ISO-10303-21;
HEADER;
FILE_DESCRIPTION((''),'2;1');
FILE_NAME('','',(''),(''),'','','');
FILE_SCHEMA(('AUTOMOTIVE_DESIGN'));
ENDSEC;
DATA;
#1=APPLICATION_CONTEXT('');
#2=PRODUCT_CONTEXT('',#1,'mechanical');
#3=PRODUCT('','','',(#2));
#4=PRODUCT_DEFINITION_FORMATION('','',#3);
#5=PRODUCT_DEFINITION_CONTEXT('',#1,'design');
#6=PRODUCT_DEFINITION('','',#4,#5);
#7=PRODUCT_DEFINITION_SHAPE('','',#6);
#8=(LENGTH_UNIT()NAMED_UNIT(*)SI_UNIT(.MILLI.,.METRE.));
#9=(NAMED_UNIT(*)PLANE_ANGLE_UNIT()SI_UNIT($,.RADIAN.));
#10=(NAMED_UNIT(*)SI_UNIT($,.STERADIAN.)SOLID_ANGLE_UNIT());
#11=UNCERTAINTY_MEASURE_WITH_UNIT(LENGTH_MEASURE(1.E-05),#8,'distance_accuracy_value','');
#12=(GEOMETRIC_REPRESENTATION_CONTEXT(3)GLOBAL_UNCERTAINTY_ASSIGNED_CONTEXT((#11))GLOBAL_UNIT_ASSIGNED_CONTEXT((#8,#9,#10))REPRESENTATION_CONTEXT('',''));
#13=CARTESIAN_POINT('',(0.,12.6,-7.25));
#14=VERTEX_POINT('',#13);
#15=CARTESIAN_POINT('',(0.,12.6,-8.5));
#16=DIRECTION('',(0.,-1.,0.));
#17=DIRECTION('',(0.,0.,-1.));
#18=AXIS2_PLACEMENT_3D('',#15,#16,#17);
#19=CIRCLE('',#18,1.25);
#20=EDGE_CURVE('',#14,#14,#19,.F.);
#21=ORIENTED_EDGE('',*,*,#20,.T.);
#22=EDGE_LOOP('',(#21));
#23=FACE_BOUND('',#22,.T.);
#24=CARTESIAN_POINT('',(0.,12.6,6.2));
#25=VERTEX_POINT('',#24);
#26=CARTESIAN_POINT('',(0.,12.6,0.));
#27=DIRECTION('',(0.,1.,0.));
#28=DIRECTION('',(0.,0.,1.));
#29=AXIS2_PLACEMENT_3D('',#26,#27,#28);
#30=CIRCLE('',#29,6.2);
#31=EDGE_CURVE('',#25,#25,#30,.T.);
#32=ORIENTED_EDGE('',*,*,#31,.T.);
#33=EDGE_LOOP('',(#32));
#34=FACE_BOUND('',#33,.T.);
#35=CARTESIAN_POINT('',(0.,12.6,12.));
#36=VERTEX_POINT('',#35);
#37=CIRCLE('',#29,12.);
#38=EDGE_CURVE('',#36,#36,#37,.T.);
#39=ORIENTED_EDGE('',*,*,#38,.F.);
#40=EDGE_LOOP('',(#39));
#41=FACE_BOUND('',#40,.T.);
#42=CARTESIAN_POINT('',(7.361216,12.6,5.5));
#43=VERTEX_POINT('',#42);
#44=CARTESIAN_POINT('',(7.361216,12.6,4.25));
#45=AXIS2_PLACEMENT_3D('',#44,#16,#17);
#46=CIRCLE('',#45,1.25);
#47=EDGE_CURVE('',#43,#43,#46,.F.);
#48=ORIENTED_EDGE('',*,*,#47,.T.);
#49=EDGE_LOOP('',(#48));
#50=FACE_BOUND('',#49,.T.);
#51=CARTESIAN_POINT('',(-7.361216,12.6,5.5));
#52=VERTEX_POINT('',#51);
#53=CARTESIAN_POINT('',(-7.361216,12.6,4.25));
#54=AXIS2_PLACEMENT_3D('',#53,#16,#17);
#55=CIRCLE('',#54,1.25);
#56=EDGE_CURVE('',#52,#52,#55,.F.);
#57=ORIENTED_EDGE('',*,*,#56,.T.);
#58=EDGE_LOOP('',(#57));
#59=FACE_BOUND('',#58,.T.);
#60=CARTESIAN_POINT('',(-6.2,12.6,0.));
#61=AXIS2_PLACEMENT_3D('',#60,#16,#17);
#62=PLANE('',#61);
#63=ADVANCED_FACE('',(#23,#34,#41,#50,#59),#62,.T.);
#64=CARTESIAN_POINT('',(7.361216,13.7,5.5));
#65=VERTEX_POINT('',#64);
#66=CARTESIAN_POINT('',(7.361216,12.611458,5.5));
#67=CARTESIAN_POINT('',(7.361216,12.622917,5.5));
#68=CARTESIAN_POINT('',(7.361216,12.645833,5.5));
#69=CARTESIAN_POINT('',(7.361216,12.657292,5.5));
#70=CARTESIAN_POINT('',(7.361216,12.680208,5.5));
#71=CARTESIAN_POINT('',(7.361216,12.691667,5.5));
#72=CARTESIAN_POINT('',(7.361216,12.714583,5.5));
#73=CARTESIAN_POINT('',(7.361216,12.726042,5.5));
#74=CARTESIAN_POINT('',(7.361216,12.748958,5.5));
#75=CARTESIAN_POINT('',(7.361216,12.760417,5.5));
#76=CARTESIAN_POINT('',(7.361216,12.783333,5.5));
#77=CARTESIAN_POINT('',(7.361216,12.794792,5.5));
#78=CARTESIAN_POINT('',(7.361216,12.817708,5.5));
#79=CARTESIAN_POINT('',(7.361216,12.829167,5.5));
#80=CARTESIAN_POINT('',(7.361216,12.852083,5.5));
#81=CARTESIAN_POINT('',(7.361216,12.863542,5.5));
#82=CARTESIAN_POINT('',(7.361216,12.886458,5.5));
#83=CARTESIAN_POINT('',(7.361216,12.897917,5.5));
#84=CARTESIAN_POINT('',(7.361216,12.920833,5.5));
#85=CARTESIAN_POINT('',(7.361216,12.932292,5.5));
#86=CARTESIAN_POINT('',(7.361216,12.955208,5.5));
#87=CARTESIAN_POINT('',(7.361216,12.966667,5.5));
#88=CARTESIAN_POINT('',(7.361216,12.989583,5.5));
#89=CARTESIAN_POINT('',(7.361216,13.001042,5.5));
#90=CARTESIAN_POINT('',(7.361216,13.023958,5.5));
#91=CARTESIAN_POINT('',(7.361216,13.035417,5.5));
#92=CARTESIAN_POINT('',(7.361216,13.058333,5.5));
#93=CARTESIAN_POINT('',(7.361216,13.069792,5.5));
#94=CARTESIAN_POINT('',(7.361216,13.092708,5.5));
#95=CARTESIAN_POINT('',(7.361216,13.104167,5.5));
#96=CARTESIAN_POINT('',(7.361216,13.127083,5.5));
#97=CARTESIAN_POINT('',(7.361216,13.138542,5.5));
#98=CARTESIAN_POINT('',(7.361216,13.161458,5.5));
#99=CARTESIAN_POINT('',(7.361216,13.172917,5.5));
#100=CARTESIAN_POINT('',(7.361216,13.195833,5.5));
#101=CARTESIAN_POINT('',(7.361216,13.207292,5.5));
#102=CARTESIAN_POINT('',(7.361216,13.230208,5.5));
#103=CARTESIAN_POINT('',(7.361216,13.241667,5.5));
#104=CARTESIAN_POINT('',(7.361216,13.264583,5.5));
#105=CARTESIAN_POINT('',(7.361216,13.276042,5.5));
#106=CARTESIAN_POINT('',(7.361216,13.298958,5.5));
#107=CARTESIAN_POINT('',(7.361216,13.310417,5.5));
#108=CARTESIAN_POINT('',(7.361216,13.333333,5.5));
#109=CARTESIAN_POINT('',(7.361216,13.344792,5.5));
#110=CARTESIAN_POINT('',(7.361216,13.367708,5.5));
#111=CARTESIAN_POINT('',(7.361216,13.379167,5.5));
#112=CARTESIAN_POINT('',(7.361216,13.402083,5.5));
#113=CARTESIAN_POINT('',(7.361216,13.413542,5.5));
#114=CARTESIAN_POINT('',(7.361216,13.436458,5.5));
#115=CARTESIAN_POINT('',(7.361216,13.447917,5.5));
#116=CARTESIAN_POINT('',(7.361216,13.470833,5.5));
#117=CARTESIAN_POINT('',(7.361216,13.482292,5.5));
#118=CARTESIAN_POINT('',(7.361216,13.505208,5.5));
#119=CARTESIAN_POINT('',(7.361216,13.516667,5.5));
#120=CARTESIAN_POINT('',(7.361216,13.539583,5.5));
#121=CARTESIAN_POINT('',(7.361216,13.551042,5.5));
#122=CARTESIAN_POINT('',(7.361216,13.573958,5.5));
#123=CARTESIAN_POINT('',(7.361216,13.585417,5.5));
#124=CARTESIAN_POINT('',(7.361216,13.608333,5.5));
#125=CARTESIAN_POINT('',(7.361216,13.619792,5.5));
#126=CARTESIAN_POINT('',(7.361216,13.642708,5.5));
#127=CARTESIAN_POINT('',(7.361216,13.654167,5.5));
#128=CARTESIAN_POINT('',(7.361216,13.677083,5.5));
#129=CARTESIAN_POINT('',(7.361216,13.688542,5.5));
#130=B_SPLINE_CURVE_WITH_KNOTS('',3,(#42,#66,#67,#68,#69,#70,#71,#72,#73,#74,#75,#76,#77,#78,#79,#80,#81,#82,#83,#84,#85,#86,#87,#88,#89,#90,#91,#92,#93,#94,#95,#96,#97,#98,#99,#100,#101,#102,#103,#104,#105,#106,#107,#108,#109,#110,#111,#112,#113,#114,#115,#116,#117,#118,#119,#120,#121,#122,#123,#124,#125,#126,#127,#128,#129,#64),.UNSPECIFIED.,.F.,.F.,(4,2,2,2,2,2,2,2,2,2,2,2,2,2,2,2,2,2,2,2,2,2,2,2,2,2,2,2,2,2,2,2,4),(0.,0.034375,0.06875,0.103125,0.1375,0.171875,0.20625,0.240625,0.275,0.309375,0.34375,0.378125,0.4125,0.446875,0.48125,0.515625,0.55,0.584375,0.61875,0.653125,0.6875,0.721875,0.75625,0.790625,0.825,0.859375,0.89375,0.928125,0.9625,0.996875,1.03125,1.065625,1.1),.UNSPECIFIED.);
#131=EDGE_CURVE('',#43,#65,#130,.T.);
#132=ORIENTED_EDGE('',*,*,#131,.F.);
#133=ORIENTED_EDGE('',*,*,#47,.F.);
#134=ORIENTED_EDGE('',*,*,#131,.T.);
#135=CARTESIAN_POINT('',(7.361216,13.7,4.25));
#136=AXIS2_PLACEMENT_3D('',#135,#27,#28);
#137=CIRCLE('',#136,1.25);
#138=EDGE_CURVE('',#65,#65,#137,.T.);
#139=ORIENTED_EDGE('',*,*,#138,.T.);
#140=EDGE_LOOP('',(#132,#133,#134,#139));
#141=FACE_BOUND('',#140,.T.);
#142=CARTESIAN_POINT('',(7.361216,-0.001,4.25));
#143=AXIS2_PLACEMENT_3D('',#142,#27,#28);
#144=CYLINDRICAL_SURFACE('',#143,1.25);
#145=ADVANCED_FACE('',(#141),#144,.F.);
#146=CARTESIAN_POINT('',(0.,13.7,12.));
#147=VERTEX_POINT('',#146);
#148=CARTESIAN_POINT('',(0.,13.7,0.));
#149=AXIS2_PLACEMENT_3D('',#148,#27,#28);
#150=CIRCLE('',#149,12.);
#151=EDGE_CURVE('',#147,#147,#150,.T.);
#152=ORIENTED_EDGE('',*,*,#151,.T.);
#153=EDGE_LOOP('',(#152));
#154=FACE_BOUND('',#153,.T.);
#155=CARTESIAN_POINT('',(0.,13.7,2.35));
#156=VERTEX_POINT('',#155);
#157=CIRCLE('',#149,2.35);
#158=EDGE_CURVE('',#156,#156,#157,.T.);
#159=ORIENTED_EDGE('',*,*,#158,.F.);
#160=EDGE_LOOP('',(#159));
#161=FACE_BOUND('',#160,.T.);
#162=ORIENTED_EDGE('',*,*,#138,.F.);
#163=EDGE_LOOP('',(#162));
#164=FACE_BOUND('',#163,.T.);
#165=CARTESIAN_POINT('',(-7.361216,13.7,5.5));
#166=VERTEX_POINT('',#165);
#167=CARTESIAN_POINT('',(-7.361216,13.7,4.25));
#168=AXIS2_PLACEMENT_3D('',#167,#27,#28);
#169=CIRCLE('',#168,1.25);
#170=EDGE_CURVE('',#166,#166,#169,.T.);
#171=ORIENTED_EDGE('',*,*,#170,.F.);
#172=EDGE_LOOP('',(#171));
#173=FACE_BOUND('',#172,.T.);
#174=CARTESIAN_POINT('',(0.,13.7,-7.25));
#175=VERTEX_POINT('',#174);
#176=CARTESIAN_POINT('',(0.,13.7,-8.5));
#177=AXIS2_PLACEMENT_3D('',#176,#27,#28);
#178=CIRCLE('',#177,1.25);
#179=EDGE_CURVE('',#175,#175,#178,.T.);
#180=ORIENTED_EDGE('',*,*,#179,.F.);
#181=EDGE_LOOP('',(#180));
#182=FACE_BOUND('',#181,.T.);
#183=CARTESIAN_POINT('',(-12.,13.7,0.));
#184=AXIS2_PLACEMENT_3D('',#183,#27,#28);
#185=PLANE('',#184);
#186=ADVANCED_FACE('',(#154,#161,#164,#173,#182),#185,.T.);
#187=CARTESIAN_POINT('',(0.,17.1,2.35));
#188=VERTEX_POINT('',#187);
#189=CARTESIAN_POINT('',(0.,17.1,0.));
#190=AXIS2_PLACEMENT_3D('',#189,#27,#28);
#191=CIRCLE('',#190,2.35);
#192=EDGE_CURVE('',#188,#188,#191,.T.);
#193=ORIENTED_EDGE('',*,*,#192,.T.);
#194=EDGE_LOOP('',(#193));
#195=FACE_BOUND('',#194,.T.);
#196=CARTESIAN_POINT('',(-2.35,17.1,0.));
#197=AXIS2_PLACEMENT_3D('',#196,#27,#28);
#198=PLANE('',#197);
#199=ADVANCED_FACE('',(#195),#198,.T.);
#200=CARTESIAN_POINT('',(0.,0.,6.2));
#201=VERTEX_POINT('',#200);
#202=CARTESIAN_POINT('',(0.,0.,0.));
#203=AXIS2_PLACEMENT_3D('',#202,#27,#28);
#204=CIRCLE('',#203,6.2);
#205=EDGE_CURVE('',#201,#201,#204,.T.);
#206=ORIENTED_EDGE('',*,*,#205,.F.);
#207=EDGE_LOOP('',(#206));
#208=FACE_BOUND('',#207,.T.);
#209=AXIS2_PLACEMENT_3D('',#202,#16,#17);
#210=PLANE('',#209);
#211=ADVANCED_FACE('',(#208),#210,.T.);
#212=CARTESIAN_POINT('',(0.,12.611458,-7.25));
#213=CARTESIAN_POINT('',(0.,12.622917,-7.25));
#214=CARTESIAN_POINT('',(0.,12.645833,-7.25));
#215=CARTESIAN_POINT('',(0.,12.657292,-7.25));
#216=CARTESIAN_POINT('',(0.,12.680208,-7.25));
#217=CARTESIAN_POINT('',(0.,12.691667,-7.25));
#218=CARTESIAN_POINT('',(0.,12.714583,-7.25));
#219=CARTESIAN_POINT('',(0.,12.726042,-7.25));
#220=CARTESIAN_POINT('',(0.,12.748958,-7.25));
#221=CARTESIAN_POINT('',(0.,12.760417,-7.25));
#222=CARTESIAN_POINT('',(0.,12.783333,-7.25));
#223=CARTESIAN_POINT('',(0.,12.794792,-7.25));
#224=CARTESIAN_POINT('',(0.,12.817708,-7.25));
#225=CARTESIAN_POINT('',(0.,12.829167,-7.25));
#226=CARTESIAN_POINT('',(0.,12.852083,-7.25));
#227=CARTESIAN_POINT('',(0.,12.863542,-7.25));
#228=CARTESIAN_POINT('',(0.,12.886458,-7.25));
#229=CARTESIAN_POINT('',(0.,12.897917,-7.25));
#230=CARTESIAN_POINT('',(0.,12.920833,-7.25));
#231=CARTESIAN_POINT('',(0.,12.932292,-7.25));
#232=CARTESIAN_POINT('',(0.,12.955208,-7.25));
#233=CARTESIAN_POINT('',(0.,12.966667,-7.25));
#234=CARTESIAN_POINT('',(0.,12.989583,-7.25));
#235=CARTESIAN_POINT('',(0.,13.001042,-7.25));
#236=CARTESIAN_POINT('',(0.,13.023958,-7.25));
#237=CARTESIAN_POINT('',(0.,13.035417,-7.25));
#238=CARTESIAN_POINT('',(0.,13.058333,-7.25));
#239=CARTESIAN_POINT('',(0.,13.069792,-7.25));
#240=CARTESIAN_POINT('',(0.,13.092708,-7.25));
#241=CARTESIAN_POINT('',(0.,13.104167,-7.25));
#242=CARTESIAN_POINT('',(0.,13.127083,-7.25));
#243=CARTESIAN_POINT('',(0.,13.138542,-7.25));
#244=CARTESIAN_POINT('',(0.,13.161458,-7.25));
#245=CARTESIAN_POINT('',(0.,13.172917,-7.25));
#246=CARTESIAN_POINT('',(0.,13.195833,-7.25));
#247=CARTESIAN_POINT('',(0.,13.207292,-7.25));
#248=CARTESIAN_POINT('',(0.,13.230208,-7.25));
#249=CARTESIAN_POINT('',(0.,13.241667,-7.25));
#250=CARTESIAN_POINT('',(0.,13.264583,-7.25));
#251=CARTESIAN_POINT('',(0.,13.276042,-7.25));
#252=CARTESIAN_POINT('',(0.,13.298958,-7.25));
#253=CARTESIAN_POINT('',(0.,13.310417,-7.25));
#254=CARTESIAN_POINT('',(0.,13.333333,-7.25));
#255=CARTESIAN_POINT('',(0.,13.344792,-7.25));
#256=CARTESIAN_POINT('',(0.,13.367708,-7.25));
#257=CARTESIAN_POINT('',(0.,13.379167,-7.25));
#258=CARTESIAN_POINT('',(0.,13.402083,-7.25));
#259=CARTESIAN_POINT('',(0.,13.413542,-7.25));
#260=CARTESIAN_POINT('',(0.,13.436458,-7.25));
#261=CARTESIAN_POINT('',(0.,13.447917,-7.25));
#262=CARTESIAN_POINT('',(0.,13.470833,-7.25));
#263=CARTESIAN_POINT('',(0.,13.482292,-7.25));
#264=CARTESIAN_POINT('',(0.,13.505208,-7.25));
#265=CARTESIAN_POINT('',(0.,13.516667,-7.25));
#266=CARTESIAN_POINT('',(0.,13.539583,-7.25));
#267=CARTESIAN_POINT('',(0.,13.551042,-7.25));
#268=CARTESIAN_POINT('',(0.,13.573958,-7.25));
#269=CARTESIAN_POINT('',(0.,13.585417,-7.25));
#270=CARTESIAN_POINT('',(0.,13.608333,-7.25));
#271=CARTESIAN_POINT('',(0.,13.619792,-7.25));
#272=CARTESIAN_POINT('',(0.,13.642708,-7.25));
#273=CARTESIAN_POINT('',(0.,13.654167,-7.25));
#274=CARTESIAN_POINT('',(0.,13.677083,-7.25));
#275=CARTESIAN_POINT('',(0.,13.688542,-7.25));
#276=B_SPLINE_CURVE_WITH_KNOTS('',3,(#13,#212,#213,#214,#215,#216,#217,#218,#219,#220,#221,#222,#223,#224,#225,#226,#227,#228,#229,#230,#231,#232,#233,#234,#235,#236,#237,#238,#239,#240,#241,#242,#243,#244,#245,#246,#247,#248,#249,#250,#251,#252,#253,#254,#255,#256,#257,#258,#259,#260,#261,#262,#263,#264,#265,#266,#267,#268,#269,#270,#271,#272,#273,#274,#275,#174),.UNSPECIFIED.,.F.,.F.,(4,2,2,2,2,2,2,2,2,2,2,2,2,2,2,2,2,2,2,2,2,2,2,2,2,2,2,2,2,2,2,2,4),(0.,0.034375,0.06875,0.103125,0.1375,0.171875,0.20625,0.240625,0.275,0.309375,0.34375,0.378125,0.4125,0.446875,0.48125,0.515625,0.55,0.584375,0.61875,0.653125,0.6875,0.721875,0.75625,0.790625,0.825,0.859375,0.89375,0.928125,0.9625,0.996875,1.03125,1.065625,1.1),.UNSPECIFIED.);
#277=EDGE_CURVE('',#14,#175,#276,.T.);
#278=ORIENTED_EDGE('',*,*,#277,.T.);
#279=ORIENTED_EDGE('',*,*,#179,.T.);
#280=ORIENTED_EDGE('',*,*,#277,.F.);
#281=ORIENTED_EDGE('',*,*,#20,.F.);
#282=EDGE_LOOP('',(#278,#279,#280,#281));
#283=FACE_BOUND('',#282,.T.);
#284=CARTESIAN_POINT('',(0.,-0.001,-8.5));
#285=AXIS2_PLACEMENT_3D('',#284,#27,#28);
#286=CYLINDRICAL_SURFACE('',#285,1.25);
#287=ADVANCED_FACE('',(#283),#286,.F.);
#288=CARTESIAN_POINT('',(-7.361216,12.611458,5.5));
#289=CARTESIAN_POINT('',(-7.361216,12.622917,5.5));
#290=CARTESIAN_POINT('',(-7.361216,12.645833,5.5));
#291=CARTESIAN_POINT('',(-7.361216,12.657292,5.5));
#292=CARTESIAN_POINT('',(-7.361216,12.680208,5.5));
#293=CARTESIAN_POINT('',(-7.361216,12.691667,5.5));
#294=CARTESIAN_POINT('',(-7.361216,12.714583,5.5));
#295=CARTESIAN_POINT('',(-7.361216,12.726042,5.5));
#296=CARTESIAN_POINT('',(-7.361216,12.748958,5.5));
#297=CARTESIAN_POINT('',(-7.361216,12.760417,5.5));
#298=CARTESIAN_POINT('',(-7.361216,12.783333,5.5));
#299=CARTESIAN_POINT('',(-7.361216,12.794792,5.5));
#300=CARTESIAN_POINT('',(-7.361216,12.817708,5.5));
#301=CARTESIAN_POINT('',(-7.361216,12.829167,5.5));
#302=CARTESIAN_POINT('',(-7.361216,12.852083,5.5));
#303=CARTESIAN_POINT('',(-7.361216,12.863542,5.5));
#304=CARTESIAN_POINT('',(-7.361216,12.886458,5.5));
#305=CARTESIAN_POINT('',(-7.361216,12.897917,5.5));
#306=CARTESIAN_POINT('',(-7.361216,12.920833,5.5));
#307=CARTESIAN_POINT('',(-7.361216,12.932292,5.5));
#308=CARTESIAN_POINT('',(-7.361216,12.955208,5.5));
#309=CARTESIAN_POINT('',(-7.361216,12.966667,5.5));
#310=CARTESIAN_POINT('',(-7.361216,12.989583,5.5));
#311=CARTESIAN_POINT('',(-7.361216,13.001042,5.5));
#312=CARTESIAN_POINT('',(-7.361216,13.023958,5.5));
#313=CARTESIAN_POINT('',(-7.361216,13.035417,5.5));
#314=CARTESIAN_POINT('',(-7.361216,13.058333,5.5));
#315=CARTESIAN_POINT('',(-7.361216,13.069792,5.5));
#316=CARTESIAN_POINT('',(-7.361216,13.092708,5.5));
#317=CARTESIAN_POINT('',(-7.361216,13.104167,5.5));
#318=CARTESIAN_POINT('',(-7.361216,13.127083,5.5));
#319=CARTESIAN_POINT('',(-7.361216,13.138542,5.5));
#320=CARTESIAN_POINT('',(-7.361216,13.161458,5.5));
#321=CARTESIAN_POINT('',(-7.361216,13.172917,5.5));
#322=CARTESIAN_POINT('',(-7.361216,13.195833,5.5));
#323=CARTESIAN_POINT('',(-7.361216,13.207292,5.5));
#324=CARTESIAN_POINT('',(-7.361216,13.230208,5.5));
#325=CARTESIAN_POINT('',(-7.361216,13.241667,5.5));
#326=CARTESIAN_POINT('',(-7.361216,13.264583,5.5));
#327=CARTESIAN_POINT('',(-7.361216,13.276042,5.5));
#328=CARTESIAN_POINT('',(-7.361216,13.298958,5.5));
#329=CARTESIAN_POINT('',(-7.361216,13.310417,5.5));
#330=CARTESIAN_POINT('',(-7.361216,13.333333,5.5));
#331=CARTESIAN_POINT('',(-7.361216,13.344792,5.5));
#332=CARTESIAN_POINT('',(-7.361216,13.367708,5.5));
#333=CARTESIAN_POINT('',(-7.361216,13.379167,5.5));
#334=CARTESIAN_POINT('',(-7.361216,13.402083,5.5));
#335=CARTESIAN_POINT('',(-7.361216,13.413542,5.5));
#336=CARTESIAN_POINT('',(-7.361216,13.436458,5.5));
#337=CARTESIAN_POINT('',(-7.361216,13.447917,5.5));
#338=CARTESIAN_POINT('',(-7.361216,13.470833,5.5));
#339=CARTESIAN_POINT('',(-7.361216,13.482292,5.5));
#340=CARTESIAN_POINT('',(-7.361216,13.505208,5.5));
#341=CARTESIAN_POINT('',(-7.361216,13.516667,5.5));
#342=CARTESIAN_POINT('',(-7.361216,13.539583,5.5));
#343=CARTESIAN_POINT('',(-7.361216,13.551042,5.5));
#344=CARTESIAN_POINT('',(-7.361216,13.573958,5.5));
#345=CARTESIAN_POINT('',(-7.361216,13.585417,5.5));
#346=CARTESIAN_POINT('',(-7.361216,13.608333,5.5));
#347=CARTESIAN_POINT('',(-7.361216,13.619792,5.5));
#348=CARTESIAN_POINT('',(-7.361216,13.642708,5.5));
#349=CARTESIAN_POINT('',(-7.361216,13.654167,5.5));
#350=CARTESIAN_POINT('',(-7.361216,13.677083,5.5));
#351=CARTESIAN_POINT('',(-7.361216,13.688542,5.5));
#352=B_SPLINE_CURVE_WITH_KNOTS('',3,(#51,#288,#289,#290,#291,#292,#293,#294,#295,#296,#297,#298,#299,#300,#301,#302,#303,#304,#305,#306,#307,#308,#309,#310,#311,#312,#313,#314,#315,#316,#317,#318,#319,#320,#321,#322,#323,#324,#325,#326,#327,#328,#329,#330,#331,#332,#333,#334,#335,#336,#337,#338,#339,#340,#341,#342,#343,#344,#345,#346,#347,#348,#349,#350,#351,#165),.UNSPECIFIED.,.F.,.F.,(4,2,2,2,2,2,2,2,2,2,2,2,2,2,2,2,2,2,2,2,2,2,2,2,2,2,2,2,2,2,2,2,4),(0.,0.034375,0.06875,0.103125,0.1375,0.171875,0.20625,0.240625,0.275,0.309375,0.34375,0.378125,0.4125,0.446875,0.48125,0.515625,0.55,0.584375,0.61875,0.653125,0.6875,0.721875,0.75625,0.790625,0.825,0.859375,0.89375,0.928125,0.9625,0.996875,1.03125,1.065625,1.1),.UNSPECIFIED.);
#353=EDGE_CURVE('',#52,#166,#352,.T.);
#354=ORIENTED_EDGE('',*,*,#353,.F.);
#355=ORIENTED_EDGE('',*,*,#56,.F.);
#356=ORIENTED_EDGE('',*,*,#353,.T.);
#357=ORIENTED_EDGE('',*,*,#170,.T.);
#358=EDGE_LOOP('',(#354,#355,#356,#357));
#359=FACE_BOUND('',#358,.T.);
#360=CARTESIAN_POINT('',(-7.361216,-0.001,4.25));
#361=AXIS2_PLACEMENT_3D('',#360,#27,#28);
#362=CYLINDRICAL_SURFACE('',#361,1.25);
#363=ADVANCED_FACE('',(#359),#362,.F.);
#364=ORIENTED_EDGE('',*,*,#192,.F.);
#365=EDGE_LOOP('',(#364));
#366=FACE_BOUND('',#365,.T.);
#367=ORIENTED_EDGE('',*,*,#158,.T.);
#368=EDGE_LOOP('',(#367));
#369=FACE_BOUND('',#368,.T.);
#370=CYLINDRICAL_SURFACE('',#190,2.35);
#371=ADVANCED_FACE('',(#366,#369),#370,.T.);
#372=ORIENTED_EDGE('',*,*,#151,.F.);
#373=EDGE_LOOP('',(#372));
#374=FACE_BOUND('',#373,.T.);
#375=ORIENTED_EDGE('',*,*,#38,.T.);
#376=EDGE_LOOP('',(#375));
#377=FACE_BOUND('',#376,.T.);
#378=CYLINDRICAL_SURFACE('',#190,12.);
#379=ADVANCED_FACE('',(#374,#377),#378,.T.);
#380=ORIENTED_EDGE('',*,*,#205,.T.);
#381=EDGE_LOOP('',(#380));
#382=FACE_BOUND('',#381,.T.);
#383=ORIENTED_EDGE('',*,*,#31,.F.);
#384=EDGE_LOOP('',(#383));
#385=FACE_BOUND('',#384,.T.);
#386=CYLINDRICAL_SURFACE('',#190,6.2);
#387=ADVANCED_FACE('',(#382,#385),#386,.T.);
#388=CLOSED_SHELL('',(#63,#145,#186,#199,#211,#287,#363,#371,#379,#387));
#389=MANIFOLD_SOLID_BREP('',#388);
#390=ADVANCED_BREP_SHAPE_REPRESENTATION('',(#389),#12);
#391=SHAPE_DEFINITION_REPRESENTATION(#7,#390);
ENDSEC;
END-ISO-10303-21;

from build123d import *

# Parameters (mm, degrees)
CUT_EXTRUDE1_REACH = 23.81
SKETCH2_R          = 1.25


with BuildPart() as part:
    # Sketch1 → Revolve1 (revolve)
    with BuildSketch(Plane.XY, mode=Mode.PRIVATE) as revolve1_sk:
        Polygon((0, 0), (-6.2, 0), (-6.2, 12.6), (-12, 12.6), (-12, 13.7), (-2.35, 13.7), (-2.35, 17.1), (0, 17.1), align=None)
    revolve(revolve1_sk.sketch.rotate(Axis((0, 17.1, 0), (0, -1, 0)), 270), axis=Axis((0, 17.1, 0), (0, -1, 0)))

    # Sketch2 → Cut-Extrude1 (cut, up to next)
    with BuildSketch(Plane(origin=(0, 13.7, 0), x_dir=(1, 0, 0), z_dir=(0, 1, 0)), mode=Mode.PRIVATE) as cut_extrude1_sk1:
        with Locations(Location((0, 8.5, 0), (0, 0, 270))):
            Circle(SKETCH2_R)
    cut_extrude1_tool1 = extrude(cut_extrude1_sk1.sketch, amount=-CUT_EXTRUDE1_REACH, mode=Mode.PRIVATE) & part.part
    # Sketch2 → Cut-Extrude1 (cut, up to next)
    with BuildSketch(Plane(origin=(0, 13.7, 0), x_dir=(1, 0, 0), z_dir=(0, 1, 0)), mode=Mode.PRIVATE) as cut_extrude1_sk2:
        with Locations(Location((7.361215932, -4.25, 0), (0, 0, 270))):
            Circle(SKETCH2_R)
    cut_extrude1_tool2 = extrude(cut_extrude1_sk2.sketch, amount=-CUT_EXTRUDE1_REACH, mode=Mode.PRIVATE) & part.part
    # Sketch2 → Cut-Extrude1 (cut, up to next)
    with BuildSketch(Plane(origin=(0, 13.7, 0), x_dir=(1, 0, 0), z_dir=(0, 1, 0)), mode=Mode.PRIVATE) as cut_extrude1_sk3:
        with Locations(Location((-7.361215932, -4.25, 0), (0, 0, 270))):
            Circle(SKETCH2_R)
    cut_extrude1_tool3 = extrude(cut_extrude1_sk3.sketch, amount=-CUT_EXTRUDE1_REACH, mode=Mode.PRIVATE) & part.part
    add(cut_extrude1_tool1.solids().sort_by_distance((0, 13.7, -8.5))[0], mode=Mode.SUBTRACT)
    add(cut_extrude1_tool2.solids().sort_by_distance((7.361216, 13.7, 4.25))[0], mode=Mode.SUBTRACT)
    add(cut_extrude1_tool3.solids().sort_by_distance((-7.361216, 13.7, 4.25))[0], mode=Mode.SUBTRACT)


solid = part.part
